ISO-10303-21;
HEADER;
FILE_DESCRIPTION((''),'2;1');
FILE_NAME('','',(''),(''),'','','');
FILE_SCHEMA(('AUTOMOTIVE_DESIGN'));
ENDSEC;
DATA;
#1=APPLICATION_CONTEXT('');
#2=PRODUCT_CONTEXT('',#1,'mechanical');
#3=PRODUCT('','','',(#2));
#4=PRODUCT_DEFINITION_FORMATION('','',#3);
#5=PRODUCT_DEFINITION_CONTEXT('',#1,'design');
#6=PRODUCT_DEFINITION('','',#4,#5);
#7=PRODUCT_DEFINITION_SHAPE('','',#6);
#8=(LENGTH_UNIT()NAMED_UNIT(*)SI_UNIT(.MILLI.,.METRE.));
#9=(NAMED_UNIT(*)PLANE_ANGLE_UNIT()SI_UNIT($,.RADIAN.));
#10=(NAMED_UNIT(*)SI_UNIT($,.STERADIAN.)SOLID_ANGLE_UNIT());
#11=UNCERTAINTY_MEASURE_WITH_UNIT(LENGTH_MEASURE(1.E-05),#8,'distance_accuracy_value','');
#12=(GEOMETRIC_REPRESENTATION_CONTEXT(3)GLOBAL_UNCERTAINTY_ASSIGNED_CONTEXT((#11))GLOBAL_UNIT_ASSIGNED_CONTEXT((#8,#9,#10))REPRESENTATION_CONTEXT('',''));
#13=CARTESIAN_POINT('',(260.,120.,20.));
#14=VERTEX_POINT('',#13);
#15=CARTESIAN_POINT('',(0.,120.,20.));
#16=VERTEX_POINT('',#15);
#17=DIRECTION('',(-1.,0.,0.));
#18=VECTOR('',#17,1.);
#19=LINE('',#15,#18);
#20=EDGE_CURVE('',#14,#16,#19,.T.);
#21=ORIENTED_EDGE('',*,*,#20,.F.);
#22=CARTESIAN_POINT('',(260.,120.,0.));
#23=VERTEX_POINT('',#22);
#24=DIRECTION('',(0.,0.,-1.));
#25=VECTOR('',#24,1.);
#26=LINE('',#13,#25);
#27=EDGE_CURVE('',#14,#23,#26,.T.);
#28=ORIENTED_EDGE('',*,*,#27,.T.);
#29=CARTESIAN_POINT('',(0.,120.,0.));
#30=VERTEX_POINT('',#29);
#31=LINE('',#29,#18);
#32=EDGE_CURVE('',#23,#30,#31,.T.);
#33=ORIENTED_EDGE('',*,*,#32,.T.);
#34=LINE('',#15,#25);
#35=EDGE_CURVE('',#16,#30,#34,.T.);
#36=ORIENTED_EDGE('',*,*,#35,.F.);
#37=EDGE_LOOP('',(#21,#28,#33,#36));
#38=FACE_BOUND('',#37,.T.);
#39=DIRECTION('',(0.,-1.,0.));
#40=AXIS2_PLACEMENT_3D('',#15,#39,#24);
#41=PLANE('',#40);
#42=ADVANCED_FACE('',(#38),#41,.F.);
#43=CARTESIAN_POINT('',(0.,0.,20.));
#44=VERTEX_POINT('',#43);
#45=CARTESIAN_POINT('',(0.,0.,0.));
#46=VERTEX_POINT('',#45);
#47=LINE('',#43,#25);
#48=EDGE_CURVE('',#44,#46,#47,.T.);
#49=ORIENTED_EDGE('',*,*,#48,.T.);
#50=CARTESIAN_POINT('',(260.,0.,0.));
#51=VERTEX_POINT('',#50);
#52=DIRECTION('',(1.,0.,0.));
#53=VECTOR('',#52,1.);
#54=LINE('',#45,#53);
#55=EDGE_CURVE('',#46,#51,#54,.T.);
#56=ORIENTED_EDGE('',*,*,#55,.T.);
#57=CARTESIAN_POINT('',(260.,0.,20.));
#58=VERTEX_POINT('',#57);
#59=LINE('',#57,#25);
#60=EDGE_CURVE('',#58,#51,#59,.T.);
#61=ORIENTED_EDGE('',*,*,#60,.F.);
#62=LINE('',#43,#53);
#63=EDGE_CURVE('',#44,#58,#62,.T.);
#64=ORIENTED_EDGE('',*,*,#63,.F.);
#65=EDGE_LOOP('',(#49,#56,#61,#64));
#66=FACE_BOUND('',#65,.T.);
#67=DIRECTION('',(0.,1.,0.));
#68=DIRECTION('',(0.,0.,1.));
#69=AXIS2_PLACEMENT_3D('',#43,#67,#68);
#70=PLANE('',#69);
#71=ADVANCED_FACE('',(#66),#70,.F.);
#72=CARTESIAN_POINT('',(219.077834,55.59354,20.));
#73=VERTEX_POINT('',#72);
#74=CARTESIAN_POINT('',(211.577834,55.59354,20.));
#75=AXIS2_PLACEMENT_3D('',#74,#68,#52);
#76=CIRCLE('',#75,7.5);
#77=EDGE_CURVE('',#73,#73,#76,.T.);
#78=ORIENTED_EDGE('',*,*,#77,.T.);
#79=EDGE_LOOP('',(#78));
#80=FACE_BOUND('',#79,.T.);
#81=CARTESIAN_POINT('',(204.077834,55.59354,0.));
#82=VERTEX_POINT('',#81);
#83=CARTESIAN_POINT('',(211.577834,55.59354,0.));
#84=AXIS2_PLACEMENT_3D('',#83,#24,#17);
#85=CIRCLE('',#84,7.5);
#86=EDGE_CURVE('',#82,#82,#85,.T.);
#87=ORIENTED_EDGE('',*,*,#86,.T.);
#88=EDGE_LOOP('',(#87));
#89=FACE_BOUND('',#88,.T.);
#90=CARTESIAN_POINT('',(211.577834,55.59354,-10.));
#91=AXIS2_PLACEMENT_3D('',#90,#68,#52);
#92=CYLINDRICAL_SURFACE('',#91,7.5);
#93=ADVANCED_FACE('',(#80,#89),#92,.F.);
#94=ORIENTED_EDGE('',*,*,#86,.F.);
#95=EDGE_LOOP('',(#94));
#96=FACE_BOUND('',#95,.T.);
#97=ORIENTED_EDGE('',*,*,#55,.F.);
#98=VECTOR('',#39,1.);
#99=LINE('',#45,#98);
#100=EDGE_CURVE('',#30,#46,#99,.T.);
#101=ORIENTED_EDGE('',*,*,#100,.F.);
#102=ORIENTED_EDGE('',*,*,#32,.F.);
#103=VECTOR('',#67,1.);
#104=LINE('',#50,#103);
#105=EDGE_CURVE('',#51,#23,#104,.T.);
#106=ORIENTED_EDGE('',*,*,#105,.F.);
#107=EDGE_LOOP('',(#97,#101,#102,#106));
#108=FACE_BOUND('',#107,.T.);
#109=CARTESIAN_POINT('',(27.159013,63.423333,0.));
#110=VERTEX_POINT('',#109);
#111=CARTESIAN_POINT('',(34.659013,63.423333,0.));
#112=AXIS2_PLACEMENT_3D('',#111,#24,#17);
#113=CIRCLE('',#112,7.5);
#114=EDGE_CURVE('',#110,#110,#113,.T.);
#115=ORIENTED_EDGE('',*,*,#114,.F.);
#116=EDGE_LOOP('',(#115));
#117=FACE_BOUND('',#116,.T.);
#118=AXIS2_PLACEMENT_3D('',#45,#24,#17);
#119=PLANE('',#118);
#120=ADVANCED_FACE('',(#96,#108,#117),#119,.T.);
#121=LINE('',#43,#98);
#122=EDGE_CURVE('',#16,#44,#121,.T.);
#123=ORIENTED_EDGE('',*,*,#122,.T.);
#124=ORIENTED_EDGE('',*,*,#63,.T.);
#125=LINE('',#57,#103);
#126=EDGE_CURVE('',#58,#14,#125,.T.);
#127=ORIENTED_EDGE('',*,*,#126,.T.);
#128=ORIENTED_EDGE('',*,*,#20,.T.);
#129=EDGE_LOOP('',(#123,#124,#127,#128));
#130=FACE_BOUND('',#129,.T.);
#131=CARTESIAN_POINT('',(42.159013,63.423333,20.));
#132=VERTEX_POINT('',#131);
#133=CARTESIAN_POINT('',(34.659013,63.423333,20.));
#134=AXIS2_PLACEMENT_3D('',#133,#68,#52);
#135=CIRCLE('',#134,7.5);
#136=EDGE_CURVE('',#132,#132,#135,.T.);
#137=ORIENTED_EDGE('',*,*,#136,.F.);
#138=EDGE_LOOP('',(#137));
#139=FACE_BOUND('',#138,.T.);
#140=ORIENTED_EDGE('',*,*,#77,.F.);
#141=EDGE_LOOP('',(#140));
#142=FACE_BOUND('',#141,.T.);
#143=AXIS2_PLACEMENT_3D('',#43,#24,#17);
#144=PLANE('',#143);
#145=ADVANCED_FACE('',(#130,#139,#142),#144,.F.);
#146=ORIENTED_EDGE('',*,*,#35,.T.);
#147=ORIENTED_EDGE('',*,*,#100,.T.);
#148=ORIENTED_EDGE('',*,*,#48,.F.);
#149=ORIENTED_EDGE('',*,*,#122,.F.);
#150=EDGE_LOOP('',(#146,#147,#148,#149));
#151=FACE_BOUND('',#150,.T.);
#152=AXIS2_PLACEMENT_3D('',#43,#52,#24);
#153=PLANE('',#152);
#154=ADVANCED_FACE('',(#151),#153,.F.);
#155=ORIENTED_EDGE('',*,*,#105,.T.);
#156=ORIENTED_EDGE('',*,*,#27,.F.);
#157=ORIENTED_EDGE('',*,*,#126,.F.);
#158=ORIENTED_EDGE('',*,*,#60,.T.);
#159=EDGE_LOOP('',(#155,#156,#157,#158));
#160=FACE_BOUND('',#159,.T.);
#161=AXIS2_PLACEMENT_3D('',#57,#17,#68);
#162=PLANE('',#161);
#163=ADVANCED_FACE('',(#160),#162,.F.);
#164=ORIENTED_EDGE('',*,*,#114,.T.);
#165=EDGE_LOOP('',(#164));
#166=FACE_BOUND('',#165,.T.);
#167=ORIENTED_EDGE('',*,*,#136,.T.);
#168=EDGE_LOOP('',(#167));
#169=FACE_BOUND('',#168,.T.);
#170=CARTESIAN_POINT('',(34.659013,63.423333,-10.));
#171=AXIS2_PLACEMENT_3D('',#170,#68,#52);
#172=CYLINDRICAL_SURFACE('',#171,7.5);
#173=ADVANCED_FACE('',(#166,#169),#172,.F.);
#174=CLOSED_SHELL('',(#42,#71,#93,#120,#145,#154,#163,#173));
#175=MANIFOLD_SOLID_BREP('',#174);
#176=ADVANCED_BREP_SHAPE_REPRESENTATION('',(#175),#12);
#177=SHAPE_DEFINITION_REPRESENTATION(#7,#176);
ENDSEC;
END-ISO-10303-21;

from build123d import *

# Parameters (mm, degrees)
SKETCH1_W           = 260
SKETCH1_H           = 120
BOSS_EXTRUDE1_DEPTH = 20
SKETCH2_R           = 7.5
CUT_EXTRUDE2_DEPTH  = 30


with BuildPart() as part:
    # Sketch1 → Boss-Extrude1 (new body)
    with BuildSketch(Plane.XY):
        with Locations((130, 60)):
            Rectangle(SKETCH1_W, SKETCH1_H)
    extrude(amount=BOSS_EXTRUDE1_DEPTH)

    # Sketch2 → Cut-Extrude2 (cut)
    with BuildSketch(Plane.XY.offset(20)):
        with Locations((34.659012512, 63.423333278)):
            Circle(SKETCH2_R)
        with Locations((211.577834087, 55.593539787)):
            Circle(SKETCH2_R)
    extrude(amount=-CUT_EXTRUDE2_DEPTH, mode=Mode.SUBTRACT)


solid = part.part
